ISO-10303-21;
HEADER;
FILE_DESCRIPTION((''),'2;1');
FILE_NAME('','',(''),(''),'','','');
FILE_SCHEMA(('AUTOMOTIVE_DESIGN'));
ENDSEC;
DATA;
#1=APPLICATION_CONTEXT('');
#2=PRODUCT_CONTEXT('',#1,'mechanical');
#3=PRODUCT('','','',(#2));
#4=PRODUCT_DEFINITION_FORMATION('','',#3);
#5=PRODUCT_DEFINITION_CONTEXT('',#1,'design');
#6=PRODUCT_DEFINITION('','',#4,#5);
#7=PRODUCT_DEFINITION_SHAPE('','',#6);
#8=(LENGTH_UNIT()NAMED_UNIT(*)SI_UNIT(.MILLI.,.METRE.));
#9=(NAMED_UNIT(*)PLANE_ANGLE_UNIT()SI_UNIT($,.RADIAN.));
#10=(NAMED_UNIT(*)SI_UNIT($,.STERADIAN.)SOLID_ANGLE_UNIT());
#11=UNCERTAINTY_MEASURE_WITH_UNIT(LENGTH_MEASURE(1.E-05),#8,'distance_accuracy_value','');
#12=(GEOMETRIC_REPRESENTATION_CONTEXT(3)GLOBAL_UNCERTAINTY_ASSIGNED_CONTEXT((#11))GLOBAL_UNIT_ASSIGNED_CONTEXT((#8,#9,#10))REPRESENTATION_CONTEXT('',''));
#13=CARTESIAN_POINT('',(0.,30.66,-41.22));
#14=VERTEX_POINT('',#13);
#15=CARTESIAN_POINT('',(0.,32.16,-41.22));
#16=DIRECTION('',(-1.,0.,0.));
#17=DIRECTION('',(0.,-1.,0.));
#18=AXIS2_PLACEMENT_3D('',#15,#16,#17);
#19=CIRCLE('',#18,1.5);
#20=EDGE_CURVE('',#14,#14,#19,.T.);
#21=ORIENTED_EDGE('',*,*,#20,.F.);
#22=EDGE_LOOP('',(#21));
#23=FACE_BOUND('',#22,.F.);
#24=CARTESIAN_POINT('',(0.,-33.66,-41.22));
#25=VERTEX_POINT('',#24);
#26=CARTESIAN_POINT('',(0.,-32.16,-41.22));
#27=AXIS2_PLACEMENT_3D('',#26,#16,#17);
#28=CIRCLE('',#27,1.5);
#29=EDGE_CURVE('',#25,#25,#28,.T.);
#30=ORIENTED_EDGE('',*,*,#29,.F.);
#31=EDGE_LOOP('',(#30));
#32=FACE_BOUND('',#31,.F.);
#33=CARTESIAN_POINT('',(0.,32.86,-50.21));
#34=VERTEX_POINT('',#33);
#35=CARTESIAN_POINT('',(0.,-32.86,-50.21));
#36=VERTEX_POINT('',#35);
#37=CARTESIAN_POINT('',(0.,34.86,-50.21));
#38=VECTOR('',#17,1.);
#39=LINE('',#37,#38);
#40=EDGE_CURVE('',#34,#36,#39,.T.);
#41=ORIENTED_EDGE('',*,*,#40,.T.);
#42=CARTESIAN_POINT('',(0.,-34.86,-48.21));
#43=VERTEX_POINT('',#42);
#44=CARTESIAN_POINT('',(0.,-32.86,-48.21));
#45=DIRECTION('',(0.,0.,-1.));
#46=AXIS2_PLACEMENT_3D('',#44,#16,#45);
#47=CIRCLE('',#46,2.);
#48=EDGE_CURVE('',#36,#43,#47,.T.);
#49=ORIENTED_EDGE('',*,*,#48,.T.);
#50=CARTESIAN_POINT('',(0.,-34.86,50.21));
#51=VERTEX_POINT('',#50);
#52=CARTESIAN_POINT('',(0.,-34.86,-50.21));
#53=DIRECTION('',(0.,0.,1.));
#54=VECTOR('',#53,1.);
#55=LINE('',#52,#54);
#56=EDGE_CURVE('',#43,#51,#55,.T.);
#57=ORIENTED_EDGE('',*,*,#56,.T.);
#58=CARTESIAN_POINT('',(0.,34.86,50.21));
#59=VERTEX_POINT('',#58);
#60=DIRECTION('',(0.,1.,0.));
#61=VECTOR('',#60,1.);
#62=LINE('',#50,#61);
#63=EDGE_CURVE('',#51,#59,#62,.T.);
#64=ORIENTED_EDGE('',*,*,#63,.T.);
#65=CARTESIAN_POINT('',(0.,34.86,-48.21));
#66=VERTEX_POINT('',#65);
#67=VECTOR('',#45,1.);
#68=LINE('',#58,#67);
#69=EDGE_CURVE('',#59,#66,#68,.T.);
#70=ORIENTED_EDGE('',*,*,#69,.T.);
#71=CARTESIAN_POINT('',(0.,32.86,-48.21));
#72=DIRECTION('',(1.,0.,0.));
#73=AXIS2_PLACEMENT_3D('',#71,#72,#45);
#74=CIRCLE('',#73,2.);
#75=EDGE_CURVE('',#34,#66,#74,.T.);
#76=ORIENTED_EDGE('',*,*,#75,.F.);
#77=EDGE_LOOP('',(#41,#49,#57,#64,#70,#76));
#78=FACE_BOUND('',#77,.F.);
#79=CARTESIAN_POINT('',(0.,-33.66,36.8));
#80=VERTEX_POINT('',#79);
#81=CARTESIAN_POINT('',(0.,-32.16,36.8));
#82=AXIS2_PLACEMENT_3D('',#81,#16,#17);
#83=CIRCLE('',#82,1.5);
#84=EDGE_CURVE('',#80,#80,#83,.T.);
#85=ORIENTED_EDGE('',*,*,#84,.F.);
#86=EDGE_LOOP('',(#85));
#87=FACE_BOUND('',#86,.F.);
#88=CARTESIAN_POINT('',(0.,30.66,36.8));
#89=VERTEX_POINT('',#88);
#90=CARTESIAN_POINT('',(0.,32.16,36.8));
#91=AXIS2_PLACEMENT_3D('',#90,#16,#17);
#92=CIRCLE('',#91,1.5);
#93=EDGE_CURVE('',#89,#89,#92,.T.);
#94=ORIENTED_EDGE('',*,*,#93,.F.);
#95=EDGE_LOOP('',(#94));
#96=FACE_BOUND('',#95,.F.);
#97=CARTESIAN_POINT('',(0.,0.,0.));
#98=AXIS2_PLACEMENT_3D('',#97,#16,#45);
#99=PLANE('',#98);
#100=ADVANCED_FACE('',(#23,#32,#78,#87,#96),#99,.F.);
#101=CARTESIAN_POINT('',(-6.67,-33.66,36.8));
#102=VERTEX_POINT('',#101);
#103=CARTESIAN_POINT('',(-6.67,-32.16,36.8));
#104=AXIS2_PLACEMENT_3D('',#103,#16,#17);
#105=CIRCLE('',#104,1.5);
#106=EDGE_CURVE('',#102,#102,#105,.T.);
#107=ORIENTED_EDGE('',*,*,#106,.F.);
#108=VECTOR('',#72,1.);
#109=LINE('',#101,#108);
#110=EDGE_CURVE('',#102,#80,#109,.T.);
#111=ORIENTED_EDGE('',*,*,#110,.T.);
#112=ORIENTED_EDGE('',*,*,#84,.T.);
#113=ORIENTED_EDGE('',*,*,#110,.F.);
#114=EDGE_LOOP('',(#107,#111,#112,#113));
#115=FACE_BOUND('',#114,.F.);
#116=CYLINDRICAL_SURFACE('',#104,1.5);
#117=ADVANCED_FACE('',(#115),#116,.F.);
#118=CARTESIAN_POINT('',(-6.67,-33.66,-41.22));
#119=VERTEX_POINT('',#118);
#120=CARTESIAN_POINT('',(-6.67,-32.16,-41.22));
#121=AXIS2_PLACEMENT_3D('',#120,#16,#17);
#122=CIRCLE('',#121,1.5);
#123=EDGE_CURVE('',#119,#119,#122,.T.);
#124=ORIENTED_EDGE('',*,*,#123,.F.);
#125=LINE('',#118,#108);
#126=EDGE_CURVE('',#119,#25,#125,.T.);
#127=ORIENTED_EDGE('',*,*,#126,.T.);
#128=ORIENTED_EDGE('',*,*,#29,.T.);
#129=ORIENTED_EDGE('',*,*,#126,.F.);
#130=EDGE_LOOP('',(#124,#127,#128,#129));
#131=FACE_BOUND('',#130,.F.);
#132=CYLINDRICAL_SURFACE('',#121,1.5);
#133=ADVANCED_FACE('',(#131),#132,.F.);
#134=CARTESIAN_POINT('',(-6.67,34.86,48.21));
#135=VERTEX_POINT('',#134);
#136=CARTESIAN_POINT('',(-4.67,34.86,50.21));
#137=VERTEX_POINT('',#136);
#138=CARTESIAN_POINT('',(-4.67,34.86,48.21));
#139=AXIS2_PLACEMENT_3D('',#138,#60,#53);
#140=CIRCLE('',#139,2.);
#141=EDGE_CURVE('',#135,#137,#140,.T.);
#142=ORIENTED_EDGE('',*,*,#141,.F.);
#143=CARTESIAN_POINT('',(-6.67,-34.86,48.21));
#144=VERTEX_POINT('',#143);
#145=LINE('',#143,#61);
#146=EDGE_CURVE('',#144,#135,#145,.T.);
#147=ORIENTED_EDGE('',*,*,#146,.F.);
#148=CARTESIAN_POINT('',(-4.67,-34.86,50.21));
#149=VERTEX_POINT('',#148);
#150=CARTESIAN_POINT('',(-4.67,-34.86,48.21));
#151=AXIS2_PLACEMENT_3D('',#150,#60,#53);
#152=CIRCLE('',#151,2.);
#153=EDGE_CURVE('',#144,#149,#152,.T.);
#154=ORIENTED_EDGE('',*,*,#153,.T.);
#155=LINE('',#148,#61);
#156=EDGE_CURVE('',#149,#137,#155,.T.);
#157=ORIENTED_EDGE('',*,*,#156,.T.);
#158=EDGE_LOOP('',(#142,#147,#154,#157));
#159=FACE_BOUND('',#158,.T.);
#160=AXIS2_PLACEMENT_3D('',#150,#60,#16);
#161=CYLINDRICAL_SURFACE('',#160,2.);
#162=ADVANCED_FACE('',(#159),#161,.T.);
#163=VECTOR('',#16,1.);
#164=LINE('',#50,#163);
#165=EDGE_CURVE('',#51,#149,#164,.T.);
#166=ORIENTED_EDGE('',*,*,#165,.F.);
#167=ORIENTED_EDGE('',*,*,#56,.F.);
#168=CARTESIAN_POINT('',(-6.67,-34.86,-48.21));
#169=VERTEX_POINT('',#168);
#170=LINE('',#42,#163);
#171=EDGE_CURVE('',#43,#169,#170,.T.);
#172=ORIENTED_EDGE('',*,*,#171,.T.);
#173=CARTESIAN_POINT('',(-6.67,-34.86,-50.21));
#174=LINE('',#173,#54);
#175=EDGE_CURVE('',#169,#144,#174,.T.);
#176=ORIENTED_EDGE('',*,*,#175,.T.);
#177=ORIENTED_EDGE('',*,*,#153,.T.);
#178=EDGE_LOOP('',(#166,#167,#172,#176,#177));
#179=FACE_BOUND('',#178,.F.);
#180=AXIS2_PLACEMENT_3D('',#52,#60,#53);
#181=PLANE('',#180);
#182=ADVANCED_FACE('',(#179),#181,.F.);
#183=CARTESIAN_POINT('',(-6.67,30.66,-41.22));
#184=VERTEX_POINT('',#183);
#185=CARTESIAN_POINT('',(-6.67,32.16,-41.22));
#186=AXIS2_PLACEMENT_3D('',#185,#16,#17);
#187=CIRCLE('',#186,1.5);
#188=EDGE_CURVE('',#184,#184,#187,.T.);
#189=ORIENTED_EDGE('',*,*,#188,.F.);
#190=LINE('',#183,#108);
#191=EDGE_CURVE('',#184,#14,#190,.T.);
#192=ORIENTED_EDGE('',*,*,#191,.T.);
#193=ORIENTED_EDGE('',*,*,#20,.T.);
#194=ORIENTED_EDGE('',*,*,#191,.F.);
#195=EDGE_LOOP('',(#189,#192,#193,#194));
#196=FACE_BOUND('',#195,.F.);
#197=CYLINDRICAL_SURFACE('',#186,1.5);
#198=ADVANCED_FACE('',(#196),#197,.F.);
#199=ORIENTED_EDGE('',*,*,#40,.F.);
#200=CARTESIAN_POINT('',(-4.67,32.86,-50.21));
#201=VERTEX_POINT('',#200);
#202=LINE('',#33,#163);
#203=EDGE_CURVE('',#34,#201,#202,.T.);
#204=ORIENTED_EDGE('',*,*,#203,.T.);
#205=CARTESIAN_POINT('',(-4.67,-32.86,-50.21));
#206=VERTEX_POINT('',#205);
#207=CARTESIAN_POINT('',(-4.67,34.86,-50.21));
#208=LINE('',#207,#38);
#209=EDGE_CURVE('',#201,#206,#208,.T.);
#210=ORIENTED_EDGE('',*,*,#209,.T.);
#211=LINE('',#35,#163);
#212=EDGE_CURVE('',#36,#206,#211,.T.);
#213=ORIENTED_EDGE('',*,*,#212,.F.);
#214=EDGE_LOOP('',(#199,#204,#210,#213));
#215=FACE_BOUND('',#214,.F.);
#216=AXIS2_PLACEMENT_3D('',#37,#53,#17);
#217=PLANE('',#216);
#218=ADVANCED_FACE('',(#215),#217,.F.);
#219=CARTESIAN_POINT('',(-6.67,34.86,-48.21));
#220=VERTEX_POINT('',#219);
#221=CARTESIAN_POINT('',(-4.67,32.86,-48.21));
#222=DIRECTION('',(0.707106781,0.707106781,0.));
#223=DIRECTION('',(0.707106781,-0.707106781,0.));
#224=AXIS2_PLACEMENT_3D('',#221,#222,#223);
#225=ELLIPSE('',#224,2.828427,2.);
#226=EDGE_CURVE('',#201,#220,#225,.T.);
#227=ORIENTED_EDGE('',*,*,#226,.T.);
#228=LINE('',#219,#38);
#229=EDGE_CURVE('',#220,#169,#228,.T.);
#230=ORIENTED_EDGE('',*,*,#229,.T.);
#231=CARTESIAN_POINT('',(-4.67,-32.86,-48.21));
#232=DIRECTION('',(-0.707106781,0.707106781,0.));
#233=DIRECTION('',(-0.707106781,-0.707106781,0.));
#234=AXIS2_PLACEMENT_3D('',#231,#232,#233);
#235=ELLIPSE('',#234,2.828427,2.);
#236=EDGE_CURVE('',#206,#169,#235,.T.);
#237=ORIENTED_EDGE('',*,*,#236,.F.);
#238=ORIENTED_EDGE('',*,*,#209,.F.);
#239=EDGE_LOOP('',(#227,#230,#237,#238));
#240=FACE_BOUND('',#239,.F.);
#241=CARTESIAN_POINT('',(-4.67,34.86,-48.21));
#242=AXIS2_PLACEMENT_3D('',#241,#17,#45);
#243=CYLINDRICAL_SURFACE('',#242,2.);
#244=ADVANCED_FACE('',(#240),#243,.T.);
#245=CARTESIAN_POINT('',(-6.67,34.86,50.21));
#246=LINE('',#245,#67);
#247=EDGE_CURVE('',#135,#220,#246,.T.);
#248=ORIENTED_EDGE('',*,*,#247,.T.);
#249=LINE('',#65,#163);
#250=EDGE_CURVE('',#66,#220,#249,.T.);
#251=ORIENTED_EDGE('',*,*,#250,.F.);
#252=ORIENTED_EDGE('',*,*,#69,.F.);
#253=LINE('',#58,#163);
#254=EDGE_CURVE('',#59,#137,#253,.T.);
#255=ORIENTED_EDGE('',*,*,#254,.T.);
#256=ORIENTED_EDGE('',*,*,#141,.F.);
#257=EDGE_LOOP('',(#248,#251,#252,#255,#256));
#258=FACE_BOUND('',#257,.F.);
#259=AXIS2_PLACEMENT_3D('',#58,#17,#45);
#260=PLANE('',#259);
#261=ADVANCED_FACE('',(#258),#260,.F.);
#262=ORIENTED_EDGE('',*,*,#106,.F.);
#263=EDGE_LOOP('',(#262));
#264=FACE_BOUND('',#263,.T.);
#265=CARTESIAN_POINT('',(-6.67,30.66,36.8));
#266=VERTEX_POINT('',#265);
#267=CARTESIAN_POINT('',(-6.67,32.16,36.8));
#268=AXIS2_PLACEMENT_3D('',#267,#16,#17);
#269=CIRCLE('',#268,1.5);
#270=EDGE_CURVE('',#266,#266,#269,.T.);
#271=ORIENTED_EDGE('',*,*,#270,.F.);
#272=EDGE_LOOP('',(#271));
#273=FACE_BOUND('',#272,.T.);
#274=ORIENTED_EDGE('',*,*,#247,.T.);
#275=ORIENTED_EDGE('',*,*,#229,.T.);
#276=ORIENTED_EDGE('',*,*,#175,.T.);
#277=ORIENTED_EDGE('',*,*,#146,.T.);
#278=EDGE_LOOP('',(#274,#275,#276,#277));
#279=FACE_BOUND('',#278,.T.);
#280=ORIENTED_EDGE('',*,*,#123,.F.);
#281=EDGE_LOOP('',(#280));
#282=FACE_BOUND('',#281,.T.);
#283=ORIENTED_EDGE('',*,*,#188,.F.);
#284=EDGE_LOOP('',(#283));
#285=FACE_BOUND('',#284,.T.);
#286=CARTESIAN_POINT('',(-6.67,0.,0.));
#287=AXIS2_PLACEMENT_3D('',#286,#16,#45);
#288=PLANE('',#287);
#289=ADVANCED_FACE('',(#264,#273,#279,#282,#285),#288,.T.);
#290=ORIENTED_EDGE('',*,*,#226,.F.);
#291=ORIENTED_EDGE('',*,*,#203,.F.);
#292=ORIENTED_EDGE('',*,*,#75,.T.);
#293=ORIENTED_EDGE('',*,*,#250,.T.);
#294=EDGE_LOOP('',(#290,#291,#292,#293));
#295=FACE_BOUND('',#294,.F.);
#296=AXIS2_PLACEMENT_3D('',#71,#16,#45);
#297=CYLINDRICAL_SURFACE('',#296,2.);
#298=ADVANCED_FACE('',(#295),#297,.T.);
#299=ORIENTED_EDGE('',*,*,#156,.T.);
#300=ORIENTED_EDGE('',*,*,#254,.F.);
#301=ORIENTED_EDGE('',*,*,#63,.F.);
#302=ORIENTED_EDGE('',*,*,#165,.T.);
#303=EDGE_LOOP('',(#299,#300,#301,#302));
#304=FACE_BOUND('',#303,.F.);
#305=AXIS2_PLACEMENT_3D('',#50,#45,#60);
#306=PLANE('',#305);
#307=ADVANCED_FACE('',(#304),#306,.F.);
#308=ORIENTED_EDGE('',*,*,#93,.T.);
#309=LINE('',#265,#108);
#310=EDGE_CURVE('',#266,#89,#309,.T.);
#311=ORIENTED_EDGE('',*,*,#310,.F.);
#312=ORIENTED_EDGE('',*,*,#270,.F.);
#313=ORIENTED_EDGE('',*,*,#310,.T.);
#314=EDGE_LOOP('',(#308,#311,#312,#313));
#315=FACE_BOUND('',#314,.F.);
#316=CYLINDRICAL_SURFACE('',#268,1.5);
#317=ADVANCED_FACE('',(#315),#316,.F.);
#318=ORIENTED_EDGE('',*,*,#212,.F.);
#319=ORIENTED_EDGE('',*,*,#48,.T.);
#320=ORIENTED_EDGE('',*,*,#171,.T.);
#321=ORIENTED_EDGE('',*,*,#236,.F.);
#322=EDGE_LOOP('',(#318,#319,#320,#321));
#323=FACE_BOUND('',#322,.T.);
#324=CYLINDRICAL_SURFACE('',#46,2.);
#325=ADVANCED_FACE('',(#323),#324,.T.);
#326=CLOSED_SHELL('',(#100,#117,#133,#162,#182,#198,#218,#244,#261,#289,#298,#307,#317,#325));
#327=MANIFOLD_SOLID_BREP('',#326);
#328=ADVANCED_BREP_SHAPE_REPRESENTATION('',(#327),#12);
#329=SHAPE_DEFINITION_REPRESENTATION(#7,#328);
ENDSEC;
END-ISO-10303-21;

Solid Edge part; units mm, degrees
sketch "Sketch1" plane through (0, 0, 0) normal (-1, 0, 0) x (0, -1, 0)
  line L0 (-34.86, -50.21) -> (34.86, -50.21)
  line L1 (34.86, -50.21) -> (34.86, 50.21)
  line L2 (34.86, 50.21) -> (-34.86, 50.21)
  line L3 (-34.86, 50.21) -> (-34.86, -50.21)
  dimension "D1" = 69.72
  dimension "D2" = 100.42
extrude "Protrusion1" add sketch "Sketch1" along normal blind 6.67
sketch "Sketch2" plane through (-6.67, 0, 0) normal (-1, 0, 0) x (0, -1, 0)
  circle A0 centre (-32.16, 36.8) radius 1.5
  circle A1 centre (32.16, 36.8) radius 1.5
  circle A2 centre (-32.16, -41.22) radius 1.5
  circle A3 centre (32.16, -41.22) radius 1.5
  dimension "D1" = 3
  dimension "D2" = 3
  dimension "D3" = 3
extrude "Cutout1" cut sketch "Sketch2" against normal blind 15
fillet "Round_7" radius 2 4 edges at (-6.67, 0, 50.21) (-6.67, 0, -50.21) (-3.335, 34.86, -50.21) (-3.335, -34.86, -50.21)
